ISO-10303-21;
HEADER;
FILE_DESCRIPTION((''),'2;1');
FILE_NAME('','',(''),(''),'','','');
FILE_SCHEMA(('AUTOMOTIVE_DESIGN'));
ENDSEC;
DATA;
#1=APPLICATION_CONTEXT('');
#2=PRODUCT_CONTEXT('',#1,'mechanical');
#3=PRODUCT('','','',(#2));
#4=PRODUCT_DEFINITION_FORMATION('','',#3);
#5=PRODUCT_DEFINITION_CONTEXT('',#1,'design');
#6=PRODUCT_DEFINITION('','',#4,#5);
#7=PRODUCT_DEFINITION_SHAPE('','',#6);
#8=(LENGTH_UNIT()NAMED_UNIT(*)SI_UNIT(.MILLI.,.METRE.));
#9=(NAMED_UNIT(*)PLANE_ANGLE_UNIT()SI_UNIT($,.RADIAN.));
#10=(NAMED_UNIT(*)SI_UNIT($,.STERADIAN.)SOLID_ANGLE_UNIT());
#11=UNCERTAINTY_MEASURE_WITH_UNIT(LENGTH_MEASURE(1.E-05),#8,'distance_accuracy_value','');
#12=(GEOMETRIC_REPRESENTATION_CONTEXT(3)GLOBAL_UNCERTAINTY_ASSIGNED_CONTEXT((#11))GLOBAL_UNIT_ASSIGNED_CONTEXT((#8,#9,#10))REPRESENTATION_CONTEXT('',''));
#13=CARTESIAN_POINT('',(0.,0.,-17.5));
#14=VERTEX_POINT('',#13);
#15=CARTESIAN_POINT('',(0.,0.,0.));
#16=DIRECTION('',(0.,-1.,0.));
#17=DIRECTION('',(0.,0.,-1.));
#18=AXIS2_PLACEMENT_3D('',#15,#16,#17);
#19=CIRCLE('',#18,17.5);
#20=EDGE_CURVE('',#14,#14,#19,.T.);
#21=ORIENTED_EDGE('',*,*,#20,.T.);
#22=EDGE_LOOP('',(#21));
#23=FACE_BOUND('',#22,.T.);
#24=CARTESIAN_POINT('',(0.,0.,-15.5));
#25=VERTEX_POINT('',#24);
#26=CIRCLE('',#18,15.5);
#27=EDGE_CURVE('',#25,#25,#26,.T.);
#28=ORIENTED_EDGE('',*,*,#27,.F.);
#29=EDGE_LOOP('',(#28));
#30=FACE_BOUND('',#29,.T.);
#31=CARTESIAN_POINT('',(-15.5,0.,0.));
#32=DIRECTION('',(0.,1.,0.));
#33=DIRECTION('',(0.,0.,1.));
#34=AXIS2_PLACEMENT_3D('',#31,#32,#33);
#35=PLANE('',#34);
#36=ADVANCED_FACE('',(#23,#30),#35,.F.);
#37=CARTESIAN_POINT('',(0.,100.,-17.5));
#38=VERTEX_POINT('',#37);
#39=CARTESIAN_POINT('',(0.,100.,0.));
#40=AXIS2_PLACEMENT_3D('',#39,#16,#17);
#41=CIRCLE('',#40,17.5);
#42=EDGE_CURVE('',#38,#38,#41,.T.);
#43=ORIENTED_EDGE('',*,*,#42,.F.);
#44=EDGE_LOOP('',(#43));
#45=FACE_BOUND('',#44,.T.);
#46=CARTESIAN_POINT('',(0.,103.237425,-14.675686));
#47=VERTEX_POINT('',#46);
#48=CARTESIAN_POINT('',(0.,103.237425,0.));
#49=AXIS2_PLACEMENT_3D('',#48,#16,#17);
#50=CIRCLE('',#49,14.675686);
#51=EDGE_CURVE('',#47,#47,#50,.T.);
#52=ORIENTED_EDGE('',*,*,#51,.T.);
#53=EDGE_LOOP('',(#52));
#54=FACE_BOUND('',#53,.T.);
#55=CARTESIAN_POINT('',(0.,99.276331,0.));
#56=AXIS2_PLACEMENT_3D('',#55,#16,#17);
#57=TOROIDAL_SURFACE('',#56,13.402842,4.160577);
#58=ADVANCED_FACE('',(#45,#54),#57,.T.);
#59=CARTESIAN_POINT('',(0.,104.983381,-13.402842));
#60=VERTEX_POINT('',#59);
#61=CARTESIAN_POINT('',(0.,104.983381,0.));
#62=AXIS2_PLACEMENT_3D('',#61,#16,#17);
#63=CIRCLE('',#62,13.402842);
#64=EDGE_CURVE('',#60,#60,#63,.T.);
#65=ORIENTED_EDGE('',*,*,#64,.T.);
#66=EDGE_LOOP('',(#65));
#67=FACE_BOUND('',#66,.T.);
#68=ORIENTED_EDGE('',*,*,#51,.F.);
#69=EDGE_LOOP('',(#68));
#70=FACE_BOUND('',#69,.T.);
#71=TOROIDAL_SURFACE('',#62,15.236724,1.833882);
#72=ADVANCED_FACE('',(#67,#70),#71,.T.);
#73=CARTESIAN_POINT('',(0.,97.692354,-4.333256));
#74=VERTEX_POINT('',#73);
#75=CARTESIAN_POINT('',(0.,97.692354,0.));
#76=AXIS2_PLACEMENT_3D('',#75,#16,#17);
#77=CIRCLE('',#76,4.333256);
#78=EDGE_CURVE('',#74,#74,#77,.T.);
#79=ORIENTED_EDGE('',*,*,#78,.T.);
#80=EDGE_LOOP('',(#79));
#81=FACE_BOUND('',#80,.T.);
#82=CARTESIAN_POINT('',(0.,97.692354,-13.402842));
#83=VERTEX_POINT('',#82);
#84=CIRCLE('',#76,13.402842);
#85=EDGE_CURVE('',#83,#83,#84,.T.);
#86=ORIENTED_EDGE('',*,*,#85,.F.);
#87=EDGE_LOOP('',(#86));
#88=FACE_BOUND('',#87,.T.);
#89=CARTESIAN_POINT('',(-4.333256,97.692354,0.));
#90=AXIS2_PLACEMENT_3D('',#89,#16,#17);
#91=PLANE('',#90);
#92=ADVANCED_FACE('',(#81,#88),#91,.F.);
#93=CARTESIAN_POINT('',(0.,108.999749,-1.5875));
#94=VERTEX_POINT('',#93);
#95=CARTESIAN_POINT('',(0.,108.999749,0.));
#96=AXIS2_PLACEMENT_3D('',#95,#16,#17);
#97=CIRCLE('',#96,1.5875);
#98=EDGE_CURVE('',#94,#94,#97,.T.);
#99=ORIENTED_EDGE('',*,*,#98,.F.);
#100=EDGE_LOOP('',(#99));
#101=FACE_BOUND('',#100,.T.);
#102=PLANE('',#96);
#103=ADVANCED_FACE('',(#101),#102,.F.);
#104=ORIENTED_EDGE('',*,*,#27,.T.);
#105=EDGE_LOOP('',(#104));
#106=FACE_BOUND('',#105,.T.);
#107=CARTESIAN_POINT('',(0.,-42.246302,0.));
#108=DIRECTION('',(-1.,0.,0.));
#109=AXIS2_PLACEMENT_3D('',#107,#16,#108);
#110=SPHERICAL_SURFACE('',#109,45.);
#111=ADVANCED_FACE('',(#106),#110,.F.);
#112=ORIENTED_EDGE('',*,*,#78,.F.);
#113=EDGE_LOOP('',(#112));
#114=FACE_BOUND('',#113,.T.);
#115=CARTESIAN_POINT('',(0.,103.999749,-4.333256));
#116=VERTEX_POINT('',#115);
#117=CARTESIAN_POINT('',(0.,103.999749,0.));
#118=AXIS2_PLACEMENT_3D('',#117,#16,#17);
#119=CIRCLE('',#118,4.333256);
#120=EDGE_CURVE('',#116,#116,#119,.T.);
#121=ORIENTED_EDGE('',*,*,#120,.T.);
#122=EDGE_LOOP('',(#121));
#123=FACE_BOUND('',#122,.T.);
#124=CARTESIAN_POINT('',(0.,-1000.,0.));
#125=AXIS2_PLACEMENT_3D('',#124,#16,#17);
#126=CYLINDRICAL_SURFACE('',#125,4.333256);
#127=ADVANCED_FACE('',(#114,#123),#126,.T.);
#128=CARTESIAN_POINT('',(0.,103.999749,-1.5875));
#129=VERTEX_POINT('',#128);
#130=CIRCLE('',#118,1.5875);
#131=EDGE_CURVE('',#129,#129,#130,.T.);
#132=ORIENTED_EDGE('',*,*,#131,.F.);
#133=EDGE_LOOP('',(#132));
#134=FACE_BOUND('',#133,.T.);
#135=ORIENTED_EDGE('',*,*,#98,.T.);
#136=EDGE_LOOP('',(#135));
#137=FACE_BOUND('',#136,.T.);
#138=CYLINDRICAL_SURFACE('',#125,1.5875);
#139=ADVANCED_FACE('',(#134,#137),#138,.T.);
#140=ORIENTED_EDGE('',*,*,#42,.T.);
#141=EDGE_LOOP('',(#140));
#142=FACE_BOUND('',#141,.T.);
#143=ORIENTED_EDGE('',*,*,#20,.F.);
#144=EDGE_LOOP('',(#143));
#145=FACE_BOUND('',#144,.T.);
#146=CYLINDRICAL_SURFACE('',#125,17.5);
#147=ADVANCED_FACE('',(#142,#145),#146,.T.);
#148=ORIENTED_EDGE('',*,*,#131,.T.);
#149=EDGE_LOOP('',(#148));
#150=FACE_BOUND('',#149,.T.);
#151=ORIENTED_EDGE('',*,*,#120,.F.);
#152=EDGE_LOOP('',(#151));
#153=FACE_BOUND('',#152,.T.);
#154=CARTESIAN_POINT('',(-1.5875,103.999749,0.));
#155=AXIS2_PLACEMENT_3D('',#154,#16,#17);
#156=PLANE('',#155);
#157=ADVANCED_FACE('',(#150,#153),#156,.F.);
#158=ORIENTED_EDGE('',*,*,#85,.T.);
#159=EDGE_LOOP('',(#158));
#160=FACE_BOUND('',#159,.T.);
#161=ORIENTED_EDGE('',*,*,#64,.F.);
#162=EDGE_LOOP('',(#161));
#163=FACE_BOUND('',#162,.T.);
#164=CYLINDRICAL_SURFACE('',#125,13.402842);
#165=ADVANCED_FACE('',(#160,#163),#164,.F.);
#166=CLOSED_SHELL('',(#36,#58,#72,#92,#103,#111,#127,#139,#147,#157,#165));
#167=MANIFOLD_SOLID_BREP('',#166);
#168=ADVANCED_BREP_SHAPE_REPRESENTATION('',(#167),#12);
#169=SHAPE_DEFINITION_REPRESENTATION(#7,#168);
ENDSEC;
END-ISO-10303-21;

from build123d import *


with BuildPart() as part:
    # Sketch1 → Revolve1 (revolve)
    with BuildSketch(Plane.XY, mode=Mode.PRIVATE) as revolve1_sk:
        with BuildLine():
            Line((-15.5, 0), (-17.5, 0))
            Line((-17.5, 0), (-17.5, 100))
            ThreePointArc((-17.5, 100), (-16.53803894, 102.011461655), (-14.675685538, 103.237425306))
            ThreePointArc((-14.675685538, 103.237425306), (-16.718615549, 106.063714958), (-13.402842077, 104.983380513))
            Line((-13.402842077, 104.983380513), (-13.402842077, 97.692354136))
            Line((-13.402842077, 97.692354136), (-4.333255578, 97.692354136))
            Line((-4.333255578, 97.692354136), (-4.333255578, 103.999749208))
            Line((-4.333255578, 103.999749208), (-1.5875, 103.999749208))
            Line((-1.5875, 103.999749208), (-1.5875, 108.999749208))
            Line((-1.5875, 108.999749208), (0, 108.999749208))
            Line((0, 108.999749208), (0, 2.753698387))
            ThreePointArc((0, 2.753698387), (-7.871353994, 2.059925785), (-15.5, 0))
        make_face()
    revolve(revolve1_sk.sketch.rotate(Axis((0, -1000, 0), (0, 1, 0)), 270), axis=Axis((0, -1000, 0), (0, 1, 0)))


solid = part.part
